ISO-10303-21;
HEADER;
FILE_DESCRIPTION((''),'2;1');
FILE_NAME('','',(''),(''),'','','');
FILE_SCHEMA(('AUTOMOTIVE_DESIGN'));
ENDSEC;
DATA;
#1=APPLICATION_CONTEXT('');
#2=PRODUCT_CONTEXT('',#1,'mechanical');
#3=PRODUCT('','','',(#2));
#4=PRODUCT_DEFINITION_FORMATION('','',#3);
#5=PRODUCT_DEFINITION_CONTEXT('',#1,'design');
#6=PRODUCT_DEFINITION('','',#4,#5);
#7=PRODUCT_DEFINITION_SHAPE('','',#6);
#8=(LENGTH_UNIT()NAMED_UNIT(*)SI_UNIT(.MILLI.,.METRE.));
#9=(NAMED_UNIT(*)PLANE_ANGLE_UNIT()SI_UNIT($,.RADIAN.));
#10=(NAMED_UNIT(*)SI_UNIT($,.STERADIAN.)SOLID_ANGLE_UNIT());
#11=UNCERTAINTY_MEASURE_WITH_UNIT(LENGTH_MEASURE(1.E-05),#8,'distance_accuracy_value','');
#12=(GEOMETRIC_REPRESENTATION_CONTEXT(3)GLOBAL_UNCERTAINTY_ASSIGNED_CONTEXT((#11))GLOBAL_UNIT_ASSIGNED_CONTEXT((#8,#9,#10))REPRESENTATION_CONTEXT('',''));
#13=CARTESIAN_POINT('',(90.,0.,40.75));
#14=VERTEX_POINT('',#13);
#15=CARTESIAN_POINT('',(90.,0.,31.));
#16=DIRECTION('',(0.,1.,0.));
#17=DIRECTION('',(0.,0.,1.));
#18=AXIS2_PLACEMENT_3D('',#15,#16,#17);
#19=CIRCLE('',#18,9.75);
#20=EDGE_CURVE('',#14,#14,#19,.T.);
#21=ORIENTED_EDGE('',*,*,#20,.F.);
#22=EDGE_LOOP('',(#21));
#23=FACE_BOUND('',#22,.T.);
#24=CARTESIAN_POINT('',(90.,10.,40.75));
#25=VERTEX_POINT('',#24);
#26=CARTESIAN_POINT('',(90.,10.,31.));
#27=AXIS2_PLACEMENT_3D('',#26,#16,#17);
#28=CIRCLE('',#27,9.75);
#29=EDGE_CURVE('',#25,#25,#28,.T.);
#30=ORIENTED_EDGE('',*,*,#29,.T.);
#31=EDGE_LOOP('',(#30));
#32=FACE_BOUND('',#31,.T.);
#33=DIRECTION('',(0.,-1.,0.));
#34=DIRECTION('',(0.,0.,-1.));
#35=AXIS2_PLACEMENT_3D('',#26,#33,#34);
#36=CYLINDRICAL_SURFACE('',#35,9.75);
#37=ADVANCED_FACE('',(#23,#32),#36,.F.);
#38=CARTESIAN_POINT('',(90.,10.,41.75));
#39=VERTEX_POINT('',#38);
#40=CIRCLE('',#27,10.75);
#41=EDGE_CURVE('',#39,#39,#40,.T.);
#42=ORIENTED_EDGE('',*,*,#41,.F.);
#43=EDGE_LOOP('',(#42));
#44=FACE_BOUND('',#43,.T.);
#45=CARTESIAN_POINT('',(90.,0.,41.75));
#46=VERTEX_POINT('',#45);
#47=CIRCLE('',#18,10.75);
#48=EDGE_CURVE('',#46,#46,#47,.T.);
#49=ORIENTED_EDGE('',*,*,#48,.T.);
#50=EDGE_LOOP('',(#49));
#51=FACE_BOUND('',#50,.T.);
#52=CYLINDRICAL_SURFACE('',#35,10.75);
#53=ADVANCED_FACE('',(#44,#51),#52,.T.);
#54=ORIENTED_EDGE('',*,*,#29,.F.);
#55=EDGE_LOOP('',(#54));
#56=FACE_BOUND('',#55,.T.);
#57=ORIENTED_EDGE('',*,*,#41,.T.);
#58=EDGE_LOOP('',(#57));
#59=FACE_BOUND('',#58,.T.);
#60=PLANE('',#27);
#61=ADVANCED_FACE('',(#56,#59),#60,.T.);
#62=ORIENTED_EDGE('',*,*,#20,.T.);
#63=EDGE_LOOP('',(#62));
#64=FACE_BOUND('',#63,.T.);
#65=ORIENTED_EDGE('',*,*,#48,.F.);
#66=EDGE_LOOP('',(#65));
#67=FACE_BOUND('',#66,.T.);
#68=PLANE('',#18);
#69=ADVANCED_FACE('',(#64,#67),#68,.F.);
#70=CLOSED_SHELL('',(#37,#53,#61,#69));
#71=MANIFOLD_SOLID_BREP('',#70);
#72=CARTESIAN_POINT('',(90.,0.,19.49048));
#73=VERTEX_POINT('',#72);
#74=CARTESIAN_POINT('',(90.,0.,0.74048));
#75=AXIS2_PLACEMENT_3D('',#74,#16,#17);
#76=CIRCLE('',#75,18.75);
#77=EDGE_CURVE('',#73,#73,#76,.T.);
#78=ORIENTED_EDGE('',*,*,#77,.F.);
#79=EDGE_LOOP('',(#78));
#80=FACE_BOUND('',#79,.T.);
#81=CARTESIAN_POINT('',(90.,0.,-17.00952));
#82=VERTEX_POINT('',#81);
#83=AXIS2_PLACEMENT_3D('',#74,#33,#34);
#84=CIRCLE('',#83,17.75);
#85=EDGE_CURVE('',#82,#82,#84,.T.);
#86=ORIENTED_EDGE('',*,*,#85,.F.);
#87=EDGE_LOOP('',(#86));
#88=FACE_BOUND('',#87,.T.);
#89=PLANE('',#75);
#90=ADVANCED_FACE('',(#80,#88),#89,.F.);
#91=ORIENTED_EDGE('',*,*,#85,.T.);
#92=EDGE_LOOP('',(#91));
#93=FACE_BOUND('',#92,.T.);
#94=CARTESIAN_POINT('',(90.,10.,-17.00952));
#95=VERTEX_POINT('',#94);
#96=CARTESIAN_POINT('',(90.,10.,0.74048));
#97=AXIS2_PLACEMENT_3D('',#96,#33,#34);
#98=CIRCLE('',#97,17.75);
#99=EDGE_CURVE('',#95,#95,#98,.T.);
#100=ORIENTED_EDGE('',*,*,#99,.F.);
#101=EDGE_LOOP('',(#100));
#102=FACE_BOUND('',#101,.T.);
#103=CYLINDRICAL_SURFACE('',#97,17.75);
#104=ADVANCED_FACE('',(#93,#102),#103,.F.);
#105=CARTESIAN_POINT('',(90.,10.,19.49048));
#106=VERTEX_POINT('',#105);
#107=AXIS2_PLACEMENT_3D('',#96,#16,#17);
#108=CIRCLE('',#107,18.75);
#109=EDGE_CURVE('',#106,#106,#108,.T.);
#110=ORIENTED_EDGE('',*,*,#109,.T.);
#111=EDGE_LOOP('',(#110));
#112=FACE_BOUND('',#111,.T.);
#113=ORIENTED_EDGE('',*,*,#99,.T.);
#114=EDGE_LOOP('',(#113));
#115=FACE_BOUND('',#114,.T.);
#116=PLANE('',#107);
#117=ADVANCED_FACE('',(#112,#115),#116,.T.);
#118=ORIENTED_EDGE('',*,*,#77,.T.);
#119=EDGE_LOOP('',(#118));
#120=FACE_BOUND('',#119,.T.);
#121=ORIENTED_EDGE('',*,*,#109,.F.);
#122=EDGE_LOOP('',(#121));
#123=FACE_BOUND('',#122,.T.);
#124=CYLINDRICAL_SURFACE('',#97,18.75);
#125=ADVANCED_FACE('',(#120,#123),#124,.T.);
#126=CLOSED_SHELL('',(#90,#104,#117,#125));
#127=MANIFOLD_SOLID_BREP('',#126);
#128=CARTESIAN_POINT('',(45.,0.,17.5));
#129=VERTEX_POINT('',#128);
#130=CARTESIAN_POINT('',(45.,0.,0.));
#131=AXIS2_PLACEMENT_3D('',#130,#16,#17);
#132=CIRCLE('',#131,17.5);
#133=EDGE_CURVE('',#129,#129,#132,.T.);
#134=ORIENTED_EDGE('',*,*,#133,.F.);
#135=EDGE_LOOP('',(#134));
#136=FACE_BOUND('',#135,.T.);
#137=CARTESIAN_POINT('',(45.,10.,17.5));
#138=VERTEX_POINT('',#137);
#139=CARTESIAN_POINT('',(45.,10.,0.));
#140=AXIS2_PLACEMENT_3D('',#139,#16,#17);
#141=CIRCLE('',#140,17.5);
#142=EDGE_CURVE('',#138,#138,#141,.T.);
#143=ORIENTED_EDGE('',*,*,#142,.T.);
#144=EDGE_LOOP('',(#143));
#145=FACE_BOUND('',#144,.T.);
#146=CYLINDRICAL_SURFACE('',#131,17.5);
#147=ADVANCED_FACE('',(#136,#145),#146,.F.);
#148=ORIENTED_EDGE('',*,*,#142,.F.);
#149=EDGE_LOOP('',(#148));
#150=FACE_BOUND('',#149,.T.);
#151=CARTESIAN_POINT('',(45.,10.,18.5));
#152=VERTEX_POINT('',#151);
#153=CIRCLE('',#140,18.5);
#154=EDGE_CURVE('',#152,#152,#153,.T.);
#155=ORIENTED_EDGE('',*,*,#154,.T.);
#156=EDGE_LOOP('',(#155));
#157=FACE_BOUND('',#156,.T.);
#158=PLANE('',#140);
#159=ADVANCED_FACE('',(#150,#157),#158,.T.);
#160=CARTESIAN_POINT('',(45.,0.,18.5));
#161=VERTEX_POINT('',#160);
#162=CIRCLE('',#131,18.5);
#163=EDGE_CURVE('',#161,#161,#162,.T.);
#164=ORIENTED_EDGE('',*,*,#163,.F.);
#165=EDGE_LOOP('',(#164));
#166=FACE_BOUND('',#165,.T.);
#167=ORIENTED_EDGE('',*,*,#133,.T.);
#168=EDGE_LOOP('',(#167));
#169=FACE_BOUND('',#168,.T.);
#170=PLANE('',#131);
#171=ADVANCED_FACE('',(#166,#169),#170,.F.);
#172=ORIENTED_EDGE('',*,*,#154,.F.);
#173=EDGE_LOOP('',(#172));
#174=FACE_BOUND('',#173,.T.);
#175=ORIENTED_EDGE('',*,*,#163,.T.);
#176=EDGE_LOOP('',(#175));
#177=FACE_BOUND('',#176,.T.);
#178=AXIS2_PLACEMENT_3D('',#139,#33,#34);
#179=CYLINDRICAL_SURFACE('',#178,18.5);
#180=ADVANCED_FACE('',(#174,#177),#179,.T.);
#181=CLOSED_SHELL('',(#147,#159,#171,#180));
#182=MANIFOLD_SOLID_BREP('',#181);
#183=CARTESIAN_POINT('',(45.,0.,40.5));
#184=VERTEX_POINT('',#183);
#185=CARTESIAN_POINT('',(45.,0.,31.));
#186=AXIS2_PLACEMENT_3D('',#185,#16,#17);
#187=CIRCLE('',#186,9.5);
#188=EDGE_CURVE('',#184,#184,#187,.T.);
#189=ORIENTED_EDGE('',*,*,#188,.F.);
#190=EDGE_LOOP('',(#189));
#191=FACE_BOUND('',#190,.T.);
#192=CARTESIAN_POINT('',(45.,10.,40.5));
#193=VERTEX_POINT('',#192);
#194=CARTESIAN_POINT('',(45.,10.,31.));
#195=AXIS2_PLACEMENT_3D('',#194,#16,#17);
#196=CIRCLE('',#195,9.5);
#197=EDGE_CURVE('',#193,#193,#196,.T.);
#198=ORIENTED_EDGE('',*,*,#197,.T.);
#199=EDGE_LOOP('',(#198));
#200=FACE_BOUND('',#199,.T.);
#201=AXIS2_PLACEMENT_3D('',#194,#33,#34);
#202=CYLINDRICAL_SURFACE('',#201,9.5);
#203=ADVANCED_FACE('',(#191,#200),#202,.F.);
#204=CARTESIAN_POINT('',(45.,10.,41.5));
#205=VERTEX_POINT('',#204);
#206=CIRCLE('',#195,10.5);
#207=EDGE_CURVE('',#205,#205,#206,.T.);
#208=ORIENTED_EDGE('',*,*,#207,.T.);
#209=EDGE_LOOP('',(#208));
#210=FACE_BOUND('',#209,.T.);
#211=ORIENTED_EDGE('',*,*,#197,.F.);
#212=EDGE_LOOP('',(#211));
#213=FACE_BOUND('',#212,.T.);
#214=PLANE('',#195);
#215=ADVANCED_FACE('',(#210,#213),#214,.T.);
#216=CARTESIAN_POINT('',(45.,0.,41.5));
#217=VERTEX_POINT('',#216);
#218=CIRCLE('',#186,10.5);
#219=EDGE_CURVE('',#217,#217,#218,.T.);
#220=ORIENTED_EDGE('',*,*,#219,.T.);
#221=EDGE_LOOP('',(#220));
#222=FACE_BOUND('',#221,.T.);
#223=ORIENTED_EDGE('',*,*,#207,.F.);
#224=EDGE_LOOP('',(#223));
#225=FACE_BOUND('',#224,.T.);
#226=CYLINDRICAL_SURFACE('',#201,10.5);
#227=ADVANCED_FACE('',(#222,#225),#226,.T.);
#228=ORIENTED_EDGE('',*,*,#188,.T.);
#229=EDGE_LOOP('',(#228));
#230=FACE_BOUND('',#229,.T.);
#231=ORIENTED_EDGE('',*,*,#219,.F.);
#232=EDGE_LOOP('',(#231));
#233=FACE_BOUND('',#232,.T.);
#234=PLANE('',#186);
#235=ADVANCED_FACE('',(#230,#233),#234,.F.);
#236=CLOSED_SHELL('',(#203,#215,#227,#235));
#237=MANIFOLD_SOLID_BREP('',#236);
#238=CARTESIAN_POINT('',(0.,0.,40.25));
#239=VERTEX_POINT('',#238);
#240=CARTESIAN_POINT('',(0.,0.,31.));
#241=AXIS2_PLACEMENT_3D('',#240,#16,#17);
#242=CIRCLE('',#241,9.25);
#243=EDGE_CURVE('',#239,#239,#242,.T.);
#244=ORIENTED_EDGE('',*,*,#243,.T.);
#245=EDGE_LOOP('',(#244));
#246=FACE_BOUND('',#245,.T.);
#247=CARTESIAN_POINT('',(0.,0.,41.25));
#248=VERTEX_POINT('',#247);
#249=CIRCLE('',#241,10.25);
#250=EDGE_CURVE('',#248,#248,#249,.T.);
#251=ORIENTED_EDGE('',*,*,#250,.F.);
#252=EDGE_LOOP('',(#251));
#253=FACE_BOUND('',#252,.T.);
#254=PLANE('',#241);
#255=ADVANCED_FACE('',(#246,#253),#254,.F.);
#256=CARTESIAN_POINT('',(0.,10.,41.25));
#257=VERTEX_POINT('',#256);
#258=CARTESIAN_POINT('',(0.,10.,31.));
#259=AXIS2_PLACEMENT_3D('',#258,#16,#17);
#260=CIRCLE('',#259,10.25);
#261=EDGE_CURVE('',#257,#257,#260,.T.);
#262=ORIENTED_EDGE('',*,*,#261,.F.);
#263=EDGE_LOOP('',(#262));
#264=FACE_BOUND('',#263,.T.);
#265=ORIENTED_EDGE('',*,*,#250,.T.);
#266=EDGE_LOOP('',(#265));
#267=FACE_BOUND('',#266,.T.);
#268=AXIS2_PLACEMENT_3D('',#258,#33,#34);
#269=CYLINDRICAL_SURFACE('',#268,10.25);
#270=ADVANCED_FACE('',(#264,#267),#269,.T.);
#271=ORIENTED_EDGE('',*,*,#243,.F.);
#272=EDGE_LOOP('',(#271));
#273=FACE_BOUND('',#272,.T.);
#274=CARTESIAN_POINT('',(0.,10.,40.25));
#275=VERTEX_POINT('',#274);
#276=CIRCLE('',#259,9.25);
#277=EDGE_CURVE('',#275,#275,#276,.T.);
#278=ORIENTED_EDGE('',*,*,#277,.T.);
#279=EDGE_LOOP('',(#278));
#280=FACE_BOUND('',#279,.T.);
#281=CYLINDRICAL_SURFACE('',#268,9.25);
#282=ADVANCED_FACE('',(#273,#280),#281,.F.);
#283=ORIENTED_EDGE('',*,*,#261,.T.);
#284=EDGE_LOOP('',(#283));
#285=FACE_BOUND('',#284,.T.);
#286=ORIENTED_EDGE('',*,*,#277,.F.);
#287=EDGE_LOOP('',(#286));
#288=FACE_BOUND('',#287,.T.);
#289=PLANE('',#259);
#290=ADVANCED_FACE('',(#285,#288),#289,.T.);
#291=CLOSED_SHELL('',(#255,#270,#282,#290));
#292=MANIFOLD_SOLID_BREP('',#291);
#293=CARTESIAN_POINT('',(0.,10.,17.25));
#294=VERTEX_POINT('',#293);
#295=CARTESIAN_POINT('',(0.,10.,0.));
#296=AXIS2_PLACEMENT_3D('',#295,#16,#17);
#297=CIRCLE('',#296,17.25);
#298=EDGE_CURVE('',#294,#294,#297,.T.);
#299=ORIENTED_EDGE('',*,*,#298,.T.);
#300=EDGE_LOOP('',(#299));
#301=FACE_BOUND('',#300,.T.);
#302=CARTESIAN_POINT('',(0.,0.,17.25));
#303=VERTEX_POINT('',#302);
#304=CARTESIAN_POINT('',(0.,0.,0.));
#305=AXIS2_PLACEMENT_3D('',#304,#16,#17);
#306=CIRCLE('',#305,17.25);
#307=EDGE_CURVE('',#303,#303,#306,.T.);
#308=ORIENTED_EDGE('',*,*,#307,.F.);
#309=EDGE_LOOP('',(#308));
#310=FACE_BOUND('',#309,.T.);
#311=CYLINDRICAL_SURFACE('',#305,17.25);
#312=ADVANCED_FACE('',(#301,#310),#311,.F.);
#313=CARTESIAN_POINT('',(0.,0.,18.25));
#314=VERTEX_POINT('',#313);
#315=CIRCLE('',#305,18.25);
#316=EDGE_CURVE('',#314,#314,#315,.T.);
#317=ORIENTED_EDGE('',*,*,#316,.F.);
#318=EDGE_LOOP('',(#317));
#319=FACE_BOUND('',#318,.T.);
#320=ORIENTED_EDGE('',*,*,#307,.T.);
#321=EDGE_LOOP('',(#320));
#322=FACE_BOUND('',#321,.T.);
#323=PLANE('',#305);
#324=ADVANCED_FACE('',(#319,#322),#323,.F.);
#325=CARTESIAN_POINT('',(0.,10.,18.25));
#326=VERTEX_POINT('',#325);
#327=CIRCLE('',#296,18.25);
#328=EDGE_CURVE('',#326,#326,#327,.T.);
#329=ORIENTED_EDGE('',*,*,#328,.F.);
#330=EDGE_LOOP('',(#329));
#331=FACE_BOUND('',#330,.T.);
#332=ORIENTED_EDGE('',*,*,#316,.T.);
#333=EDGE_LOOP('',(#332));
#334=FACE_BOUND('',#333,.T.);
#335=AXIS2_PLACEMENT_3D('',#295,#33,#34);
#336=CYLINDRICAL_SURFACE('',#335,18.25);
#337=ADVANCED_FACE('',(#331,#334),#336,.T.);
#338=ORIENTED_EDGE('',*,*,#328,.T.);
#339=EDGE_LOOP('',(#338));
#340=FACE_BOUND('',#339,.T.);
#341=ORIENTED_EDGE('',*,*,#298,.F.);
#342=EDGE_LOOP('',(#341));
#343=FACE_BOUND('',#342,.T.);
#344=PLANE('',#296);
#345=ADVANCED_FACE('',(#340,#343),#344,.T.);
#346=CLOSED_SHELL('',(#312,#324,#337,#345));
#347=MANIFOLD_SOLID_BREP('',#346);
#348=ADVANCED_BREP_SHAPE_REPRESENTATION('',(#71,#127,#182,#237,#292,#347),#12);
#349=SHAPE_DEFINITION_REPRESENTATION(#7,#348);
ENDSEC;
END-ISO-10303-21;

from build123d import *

# Parameters (mm, degrees)
SKETCH1_R             = 18.25
BOSS_EXTRUDE1_DEPTH   = 10
SKETCH2_R             = 17.25
CUT_EXTRUDE1_DEPTH    = 10
SKETCH3_R             = 18.5
BOSS_EXTRUDE2_DEPTH   = 10
SKETCH4_R             = 17.5
CUT_EXTRUDE2_DEPTH    = 10
SKETCH5_R             = 18.75
BOSS_EXTRUDE3_DEPTH   = 10
SKETCH6_R             = 17.75
CUT_EXTRUDE3_DEPTH    = 10
SKETCH7_R             = 10.25
BOSS_EXTRUDE4_DEPTH   = 10
SKETCH7_R_2           = 10.5
BOSS_EXTRUDE4_2_DEPTH = 10
SKETCH7_R_3           = 10.75
BOSS_EXTRUDE4_3_DEPTH = 10
SKETCH8_R             = 9.25
SKETCH8_R_2           = 9.5
SKETCH8_R_3           = 9.75
CUT_EXTRUDE5_DEPTH    = 10


with BuildPart() as part:
    # Sketch1 → Boss-Extrude1 (new body)
    with BuildSketch(Plane(origin=(0, 0, 0), x_dir=(1, 0, 0), z_dir=(0, 1, 0))):
        with Locations(Location((0, 0, 0), (0, 0, 270))):
            Circle(SKETCH1_R)
    extrude(amount=BOSS_EXTRUDE1_DEPTH)

    # Sketch2 → Cut-Extrude1 (cut)
    with BuildSketch(Plane(origin=(0, 10, 0), x_dir=(1, 0, 0), z_dir=(0, 1, 0))):
        with Locations(Location((0, 0, 0), (0, 0, 270))):
            Circle(SKETCH2_R)
    extrude(amount=-CUT_EXTRUDE1_DEPTH, mode=Mode.SUBTRACT)


with BuildPart() as body_2:
    # Sketch3 → Boss-Extrude2 (new body)
    with BuildSketch(Plane(origin=(0, 0, 0), x_dir=(1, 0, 0), z_dir=(0, 1, 0))):
        with Locations(Location((45, 0, 0), (0, 0, 270))):
            Circle(SKETCH3_R)
    extrude(amount=BOSS_EXTRUDE2_DEPTH)

    # Sketch4 → Cut-Extrude2 (cut)
    with BuildSketch(Plane(origin=(0, 10, 0), x_dir=(1, 0, 0), z_dir=(0, 1, 0))):
        with Locations(Location((45, 0, 0), (0, 0, 270))):
            Circle(SKETCH4_R)
    extrude(amount=-CUT_EXTRUDE2_DEPTH, mode=Mode.SUBTRACT)


with BuildPart() as body_3:
    # Sketch5 → Boss-Extrude3 (new body)
    with BuildSketch(Plane(origin=(0, 0, 0), x_dir=(1, 0, 0), z_dir=(0, 1, 0))):
        with Locations(Location((90, -0.740479822, 0), (0, 0, 270))):
            Circle(SKETCH5_R)
    extrude(amount=BOSS_EXTRUDE3_DEPTH)

    # Sketch6 → Cut-Extrude3 (cut)
    with BuildSketch(Plane.XZ):
        with Locations(Location((90, 0.740479822, 0), (0, 0, 270))):
            Circle(SKETCH6_R)
    extrude(amount=-CUT_EXTRUDE3_DEPTH, mode=Mode.SUBTRACT)


with BuildPart() as body_4:
    # Sketch7 → Boss-Extrude4 (new body)
    with BuildSketch(Plane(origin=(0, 0, 0), x_dir=(1, 0, 0), z_dir=(0, 1, 0))):
        with Locations(Location((0, -31, 0), (0, 0, 270))):
            Circle(SKETCH7_R)
    extrude(amount=BOSS_EXTRUDE4_DEPTH)


with BuildPart() as body_5:
    # Sketch7 → Boss-Extrude4 2 (new body)
    with BuildSketch(Plane(origin=(0, 0, 0), x_dir=(1, 0, 0), z_dir=(0, 1, 0))):
        with Locations(Location((45, -31, 0), (0, 0, 270))):
            Circle(SKETCH7_R_2)
    extrude(amount=BOSS_EXTRUDE4_2_DEPTH)


with BuildPart() as body_6:
    # Sketch7 → Boss-Extrude4 3 (new body)
    with BuildSketch(Plane(origin=(0, 0, 0), x_dir=(1, 0, 0), z_dir=(0, 1, 0))):
        with Locations(Location((90, -31, 0), (0, 0, 270))):
            Circle(SKETCH7_R_3)
    extrude(amount=BOSS_EXTRUDE4_3_DEPTH)


with BuildPart() as cut_extrude5_tool:
    # Sketch8 → Cut-Extrude5 (new body)
    with BuildSketch(Plane(origin=(0, 0, 0), x_dir=(1, 0, 0), z_dir=(0, 1, 0))):
        with Locations(Location((0, -31, 0), (0, 0, 270))):
            Circle(SKETCH8_R)
        with Locations(Location((45, -31, 0), (0, 0, 270))):
            Circle(SKETCH8_R_2)
        with Locations(Location((90, -31, 0), (0, 0, 270))):
            Circle(SKETCH8_R_3)
    extrude(amount=CUT_EXTRUDE5_DEPTH)


with BuildPart() as body_4_1:
    add(body_4.part)

    # Cut-Extrude5: cut by cut_extrude5_tool
    add(cut_extrude5_tool.part, mode=Mode.SUBTRACT)


with BuildPart() as body_5_1:
    add(body_5.part)

    # Cut-Extrude5: cut by cut_extrude5_tool
    add(cut_extrude5_tool.part, mode=Mode.SUBTRACT)


with BuildPart() as body_6_1:
    add(body_6.part)

    # Cut-Extrude5: cut by cut_extrude5_tool
    add(cut_extrude5_tool.part, mode=Mode.SUBTRACT)


solid = Compound([part.part, body_2.part, body_3.part, body_4_1.part, body_5_1.part, body_6_1.part])
